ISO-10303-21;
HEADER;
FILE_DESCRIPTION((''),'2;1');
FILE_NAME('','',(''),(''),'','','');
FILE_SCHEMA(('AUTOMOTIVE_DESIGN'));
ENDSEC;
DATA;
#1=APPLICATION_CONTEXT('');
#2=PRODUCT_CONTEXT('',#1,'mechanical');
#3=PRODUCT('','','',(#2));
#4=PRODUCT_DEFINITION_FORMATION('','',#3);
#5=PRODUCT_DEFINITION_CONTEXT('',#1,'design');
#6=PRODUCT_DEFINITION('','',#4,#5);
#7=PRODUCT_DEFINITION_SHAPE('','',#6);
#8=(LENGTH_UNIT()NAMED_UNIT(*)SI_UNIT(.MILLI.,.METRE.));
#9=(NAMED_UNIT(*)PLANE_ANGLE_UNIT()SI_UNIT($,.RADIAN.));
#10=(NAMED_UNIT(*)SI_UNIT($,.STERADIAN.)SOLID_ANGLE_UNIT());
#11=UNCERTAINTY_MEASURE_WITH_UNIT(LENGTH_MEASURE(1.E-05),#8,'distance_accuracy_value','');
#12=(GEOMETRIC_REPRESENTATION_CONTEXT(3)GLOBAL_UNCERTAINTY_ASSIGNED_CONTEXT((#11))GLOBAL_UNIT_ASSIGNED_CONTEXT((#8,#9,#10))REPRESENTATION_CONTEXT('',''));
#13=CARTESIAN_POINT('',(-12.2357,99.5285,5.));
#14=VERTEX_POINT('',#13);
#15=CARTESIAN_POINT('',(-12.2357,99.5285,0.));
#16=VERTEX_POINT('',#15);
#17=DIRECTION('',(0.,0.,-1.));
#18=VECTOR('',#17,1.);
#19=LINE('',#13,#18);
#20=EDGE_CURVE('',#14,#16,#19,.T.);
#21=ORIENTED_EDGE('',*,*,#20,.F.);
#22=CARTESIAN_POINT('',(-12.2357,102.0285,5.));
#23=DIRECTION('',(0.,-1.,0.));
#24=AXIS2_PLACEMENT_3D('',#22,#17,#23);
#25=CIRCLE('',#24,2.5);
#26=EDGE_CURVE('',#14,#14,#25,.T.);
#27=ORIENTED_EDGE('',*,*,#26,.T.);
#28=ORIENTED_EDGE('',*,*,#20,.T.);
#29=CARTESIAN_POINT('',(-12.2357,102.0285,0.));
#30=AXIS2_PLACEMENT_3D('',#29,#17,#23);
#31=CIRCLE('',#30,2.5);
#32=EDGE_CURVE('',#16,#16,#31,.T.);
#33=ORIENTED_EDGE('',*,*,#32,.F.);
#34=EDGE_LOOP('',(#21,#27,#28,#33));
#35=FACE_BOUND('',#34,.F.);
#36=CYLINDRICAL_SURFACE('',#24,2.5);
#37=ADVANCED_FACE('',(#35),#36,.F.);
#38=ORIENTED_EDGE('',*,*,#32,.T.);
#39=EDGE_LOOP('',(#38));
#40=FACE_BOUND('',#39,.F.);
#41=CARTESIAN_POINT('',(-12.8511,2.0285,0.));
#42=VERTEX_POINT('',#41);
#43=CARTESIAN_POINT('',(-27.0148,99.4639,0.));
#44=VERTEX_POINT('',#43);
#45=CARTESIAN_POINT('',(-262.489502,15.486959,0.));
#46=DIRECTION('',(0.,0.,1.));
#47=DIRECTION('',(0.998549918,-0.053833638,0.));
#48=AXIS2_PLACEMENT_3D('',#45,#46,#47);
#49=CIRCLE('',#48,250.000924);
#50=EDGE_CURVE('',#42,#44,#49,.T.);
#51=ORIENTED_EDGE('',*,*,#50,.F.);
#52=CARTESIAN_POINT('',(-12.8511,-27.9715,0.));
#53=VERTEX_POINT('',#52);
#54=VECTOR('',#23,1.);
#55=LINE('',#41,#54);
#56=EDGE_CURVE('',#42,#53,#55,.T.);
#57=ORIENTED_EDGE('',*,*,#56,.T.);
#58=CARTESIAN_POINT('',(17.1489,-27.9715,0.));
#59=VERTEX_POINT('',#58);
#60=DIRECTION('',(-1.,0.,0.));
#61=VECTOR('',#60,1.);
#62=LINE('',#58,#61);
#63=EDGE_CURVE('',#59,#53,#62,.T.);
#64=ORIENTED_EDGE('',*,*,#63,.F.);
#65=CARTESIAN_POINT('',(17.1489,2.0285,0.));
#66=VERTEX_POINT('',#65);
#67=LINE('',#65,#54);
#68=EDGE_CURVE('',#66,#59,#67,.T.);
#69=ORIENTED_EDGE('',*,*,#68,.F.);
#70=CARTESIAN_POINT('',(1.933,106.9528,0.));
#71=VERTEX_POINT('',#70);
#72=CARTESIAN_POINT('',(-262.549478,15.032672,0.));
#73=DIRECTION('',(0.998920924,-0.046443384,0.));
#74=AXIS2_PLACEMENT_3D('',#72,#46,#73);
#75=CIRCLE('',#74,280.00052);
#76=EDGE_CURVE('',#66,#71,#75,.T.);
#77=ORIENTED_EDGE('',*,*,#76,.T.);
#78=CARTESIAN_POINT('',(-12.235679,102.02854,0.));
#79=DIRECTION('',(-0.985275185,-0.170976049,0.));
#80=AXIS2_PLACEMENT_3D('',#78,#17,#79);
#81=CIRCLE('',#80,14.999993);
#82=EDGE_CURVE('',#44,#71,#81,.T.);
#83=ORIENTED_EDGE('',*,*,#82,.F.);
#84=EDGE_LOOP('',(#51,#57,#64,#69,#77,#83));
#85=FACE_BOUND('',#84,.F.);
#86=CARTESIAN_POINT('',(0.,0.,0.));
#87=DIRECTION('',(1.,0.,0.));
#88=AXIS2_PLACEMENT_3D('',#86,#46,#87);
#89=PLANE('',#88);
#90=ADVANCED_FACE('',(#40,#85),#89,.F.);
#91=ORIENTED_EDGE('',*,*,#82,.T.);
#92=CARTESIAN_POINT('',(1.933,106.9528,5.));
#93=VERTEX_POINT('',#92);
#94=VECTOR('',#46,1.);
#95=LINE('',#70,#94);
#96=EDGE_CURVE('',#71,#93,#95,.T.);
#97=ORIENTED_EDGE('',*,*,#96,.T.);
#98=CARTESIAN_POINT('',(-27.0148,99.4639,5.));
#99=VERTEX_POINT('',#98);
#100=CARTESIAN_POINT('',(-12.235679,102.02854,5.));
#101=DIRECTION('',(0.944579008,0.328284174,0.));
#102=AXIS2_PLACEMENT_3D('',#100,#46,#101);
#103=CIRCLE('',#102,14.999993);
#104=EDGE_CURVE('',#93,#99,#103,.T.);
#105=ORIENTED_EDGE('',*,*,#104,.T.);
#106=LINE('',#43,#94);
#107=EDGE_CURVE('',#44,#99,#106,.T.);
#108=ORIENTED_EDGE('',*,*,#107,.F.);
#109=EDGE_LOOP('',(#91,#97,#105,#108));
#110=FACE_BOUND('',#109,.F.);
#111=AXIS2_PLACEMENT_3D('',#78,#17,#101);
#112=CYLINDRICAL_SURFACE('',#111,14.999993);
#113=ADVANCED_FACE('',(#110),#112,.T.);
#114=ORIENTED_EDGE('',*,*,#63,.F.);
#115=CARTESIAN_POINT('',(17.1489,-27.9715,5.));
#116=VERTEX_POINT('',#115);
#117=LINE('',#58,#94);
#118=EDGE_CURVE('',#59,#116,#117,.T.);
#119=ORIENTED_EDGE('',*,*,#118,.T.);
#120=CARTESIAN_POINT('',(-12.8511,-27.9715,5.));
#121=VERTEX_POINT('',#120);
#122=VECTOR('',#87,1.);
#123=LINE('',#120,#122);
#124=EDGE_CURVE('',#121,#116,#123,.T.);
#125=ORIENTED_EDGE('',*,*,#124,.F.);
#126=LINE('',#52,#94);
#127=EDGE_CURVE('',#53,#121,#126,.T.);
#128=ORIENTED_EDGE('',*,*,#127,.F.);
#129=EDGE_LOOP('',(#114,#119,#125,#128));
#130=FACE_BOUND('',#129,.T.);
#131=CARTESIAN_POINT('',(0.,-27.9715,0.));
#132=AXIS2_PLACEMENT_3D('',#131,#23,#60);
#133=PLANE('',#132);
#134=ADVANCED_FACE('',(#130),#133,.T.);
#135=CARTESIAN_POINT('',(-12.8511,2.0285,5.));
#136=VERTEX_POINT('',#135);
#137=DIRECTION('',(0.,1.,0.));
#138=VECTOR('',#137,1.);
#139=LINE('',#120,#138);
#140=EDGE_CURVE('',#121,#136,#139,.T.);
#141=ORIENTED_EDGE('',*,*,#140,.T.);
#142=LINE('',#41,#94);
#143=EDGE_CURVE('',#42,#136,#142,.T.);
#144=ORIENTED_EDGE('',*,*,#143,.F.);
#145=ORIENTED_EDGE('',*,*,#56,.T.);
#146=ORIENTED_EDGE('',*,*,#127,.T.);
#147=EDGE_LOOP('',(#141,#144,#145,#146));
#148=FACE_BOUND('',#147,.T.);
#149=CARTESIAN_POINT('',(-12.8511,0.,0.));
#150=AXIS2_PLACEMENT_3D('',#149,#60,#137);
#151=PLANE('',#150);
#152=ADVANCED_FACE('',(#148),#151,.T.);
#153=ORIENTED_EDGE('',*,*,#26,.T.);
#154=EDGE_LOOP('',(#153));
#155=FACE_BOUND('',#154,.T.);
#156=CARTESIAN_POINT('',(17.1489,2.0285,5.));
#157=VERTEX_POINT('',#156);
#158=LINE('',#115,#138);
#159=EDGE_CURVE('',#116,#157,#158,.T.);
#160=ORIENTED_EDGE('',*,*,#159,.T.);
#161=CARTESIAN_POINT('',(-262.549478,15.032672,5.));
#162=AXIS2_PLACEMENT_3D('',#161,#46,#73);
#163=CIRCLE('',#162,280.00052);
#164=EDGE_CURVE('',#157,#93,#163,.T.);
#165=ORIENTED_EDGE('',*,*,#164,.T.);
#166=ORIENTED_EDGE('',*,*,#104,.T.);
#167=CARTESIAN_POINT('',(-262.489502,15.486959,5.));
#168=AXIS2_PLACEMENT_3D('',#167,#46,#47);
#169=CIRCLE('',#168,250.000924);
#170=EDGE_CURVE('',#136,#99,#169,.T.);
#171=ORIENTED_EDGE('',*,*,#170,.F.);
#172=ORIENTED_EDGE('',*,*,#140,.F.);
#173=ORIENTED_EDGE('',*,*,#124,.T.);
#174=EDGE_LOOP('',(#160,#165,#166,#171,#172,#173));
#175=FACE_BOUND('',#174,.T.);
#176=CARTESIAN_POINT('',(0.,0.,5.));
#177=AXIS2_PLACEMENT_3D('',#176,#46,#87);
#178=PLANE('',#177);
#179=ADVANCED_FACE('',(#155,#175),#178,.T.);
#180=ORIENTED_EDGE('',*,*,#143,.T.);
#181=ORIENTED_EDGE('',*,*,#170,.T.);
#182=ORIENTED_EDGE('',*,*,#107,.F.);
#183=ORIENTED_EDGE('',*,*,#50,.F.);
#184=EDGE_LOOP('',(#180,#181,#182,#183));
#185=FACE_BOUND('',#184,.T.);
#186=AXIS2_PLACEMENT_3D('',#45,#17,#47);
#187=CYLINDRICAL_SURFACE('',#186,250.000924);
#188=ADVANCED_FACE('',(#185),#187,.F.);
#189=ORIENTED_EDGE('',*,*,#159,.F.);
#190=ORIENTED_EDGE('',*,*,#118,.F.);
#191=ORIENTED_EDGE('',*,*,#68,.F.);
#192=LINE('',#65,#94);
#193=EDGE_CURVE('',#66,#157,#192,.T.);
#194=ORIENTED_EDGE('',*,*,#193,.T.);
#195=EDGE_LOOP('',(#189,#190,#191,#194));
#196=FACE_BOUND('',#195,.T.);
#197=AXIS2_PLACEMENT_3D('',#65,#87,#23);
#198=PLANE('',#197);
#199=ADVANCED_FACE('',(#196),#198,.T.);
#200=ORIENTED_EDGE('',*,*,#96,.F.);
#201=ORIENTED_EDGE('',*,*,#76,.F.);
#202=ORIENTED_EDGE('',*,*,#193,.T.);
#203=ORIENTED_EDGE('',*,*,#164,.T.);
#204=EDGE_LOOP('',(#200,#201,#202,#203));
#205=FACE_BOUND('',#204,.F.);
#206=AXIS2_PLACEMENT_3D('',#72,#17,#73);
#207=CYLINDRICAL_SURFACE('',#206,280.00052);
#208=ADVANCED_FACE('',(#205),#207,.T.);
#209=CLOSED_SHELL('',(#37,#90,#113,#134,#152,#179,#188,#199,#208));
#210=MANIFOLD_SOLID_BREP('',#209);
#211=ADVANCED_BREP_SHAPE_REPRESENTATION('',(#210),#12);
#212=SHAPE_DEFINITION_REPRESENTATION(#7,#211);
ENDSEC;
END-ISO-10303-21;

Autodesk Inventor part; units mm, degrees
ref_plane "YZ Plane" through (0, 0, 0) normal (1, 0, 0) x (0, 1, 0)
ref_plane "XZ Plane" through (0, 0, 0) normal (0, 1, 0) x (-1, 0, 0)
ref_plane "XY Plane" through (0, 0, 0) normal (0, 0, 1) x (1, 0, 0)
sketch "Skizze1" plane through (0, 0, 0) normal (0, 0, 1) x (1, 0, 0)
  line L0 (-319.4908, 0) -> (79.1023, 0) projected
  line L1 (0, -57.6247) -> (0, 149.9482) projected
  line L2 (17.1489, -27.9715) -> (-12.8511, -27.9715)
  line L3 (-12.8511, -27.9715) -> (-12.8511, 2.0285)
  line L4 (-12.8511, 2.0285) -> (17.1489, 2.0285)
  line L5 (17.1489, 2.0285) -> (17.1489, -27.9715)
  arc A0 (1.933, 106.9528) -> (-27.0148, 99.4639) centre (-12.2357, 102.0285) ccw
  arc A1 (-12.8511, 2.0285) -> (-27.0148, 99.4639) centre (-262.4886, 15.487) ccw
  arc A2 (17.1489, 2.0285) -> (1.933, 106.9528) centre (-262.5489, 15.0327) ccw
  point P0 (0, 0)
  dimension "d0" = 30
  dimension "d1" = 30
  dimension "d2" = 30
  dimension "d4" = 100
  dimension "d6" = 250
  dimension "d7" = 280
extrude "Extrusion1" add sketch "Skizze1" along normal blind 5
sketch "Skizze2" plane through (0, 0, 5) normal (0, 0, 1) x (1, 0, 0)
  arc A0 (1.933, 106.9528) -> (-27.0148, 99.4639) centre (-12.2357, 102.0285) ccw projected
  point P0 (0, 0)
  dimension "d10" = 0
  dimension "d11" = 0
hole "Bohrung1" at (-12.2357, 102.0285, 5) direction (0, 0, -1) diameter 5 end through all
properties part number "Stütze vorne"
